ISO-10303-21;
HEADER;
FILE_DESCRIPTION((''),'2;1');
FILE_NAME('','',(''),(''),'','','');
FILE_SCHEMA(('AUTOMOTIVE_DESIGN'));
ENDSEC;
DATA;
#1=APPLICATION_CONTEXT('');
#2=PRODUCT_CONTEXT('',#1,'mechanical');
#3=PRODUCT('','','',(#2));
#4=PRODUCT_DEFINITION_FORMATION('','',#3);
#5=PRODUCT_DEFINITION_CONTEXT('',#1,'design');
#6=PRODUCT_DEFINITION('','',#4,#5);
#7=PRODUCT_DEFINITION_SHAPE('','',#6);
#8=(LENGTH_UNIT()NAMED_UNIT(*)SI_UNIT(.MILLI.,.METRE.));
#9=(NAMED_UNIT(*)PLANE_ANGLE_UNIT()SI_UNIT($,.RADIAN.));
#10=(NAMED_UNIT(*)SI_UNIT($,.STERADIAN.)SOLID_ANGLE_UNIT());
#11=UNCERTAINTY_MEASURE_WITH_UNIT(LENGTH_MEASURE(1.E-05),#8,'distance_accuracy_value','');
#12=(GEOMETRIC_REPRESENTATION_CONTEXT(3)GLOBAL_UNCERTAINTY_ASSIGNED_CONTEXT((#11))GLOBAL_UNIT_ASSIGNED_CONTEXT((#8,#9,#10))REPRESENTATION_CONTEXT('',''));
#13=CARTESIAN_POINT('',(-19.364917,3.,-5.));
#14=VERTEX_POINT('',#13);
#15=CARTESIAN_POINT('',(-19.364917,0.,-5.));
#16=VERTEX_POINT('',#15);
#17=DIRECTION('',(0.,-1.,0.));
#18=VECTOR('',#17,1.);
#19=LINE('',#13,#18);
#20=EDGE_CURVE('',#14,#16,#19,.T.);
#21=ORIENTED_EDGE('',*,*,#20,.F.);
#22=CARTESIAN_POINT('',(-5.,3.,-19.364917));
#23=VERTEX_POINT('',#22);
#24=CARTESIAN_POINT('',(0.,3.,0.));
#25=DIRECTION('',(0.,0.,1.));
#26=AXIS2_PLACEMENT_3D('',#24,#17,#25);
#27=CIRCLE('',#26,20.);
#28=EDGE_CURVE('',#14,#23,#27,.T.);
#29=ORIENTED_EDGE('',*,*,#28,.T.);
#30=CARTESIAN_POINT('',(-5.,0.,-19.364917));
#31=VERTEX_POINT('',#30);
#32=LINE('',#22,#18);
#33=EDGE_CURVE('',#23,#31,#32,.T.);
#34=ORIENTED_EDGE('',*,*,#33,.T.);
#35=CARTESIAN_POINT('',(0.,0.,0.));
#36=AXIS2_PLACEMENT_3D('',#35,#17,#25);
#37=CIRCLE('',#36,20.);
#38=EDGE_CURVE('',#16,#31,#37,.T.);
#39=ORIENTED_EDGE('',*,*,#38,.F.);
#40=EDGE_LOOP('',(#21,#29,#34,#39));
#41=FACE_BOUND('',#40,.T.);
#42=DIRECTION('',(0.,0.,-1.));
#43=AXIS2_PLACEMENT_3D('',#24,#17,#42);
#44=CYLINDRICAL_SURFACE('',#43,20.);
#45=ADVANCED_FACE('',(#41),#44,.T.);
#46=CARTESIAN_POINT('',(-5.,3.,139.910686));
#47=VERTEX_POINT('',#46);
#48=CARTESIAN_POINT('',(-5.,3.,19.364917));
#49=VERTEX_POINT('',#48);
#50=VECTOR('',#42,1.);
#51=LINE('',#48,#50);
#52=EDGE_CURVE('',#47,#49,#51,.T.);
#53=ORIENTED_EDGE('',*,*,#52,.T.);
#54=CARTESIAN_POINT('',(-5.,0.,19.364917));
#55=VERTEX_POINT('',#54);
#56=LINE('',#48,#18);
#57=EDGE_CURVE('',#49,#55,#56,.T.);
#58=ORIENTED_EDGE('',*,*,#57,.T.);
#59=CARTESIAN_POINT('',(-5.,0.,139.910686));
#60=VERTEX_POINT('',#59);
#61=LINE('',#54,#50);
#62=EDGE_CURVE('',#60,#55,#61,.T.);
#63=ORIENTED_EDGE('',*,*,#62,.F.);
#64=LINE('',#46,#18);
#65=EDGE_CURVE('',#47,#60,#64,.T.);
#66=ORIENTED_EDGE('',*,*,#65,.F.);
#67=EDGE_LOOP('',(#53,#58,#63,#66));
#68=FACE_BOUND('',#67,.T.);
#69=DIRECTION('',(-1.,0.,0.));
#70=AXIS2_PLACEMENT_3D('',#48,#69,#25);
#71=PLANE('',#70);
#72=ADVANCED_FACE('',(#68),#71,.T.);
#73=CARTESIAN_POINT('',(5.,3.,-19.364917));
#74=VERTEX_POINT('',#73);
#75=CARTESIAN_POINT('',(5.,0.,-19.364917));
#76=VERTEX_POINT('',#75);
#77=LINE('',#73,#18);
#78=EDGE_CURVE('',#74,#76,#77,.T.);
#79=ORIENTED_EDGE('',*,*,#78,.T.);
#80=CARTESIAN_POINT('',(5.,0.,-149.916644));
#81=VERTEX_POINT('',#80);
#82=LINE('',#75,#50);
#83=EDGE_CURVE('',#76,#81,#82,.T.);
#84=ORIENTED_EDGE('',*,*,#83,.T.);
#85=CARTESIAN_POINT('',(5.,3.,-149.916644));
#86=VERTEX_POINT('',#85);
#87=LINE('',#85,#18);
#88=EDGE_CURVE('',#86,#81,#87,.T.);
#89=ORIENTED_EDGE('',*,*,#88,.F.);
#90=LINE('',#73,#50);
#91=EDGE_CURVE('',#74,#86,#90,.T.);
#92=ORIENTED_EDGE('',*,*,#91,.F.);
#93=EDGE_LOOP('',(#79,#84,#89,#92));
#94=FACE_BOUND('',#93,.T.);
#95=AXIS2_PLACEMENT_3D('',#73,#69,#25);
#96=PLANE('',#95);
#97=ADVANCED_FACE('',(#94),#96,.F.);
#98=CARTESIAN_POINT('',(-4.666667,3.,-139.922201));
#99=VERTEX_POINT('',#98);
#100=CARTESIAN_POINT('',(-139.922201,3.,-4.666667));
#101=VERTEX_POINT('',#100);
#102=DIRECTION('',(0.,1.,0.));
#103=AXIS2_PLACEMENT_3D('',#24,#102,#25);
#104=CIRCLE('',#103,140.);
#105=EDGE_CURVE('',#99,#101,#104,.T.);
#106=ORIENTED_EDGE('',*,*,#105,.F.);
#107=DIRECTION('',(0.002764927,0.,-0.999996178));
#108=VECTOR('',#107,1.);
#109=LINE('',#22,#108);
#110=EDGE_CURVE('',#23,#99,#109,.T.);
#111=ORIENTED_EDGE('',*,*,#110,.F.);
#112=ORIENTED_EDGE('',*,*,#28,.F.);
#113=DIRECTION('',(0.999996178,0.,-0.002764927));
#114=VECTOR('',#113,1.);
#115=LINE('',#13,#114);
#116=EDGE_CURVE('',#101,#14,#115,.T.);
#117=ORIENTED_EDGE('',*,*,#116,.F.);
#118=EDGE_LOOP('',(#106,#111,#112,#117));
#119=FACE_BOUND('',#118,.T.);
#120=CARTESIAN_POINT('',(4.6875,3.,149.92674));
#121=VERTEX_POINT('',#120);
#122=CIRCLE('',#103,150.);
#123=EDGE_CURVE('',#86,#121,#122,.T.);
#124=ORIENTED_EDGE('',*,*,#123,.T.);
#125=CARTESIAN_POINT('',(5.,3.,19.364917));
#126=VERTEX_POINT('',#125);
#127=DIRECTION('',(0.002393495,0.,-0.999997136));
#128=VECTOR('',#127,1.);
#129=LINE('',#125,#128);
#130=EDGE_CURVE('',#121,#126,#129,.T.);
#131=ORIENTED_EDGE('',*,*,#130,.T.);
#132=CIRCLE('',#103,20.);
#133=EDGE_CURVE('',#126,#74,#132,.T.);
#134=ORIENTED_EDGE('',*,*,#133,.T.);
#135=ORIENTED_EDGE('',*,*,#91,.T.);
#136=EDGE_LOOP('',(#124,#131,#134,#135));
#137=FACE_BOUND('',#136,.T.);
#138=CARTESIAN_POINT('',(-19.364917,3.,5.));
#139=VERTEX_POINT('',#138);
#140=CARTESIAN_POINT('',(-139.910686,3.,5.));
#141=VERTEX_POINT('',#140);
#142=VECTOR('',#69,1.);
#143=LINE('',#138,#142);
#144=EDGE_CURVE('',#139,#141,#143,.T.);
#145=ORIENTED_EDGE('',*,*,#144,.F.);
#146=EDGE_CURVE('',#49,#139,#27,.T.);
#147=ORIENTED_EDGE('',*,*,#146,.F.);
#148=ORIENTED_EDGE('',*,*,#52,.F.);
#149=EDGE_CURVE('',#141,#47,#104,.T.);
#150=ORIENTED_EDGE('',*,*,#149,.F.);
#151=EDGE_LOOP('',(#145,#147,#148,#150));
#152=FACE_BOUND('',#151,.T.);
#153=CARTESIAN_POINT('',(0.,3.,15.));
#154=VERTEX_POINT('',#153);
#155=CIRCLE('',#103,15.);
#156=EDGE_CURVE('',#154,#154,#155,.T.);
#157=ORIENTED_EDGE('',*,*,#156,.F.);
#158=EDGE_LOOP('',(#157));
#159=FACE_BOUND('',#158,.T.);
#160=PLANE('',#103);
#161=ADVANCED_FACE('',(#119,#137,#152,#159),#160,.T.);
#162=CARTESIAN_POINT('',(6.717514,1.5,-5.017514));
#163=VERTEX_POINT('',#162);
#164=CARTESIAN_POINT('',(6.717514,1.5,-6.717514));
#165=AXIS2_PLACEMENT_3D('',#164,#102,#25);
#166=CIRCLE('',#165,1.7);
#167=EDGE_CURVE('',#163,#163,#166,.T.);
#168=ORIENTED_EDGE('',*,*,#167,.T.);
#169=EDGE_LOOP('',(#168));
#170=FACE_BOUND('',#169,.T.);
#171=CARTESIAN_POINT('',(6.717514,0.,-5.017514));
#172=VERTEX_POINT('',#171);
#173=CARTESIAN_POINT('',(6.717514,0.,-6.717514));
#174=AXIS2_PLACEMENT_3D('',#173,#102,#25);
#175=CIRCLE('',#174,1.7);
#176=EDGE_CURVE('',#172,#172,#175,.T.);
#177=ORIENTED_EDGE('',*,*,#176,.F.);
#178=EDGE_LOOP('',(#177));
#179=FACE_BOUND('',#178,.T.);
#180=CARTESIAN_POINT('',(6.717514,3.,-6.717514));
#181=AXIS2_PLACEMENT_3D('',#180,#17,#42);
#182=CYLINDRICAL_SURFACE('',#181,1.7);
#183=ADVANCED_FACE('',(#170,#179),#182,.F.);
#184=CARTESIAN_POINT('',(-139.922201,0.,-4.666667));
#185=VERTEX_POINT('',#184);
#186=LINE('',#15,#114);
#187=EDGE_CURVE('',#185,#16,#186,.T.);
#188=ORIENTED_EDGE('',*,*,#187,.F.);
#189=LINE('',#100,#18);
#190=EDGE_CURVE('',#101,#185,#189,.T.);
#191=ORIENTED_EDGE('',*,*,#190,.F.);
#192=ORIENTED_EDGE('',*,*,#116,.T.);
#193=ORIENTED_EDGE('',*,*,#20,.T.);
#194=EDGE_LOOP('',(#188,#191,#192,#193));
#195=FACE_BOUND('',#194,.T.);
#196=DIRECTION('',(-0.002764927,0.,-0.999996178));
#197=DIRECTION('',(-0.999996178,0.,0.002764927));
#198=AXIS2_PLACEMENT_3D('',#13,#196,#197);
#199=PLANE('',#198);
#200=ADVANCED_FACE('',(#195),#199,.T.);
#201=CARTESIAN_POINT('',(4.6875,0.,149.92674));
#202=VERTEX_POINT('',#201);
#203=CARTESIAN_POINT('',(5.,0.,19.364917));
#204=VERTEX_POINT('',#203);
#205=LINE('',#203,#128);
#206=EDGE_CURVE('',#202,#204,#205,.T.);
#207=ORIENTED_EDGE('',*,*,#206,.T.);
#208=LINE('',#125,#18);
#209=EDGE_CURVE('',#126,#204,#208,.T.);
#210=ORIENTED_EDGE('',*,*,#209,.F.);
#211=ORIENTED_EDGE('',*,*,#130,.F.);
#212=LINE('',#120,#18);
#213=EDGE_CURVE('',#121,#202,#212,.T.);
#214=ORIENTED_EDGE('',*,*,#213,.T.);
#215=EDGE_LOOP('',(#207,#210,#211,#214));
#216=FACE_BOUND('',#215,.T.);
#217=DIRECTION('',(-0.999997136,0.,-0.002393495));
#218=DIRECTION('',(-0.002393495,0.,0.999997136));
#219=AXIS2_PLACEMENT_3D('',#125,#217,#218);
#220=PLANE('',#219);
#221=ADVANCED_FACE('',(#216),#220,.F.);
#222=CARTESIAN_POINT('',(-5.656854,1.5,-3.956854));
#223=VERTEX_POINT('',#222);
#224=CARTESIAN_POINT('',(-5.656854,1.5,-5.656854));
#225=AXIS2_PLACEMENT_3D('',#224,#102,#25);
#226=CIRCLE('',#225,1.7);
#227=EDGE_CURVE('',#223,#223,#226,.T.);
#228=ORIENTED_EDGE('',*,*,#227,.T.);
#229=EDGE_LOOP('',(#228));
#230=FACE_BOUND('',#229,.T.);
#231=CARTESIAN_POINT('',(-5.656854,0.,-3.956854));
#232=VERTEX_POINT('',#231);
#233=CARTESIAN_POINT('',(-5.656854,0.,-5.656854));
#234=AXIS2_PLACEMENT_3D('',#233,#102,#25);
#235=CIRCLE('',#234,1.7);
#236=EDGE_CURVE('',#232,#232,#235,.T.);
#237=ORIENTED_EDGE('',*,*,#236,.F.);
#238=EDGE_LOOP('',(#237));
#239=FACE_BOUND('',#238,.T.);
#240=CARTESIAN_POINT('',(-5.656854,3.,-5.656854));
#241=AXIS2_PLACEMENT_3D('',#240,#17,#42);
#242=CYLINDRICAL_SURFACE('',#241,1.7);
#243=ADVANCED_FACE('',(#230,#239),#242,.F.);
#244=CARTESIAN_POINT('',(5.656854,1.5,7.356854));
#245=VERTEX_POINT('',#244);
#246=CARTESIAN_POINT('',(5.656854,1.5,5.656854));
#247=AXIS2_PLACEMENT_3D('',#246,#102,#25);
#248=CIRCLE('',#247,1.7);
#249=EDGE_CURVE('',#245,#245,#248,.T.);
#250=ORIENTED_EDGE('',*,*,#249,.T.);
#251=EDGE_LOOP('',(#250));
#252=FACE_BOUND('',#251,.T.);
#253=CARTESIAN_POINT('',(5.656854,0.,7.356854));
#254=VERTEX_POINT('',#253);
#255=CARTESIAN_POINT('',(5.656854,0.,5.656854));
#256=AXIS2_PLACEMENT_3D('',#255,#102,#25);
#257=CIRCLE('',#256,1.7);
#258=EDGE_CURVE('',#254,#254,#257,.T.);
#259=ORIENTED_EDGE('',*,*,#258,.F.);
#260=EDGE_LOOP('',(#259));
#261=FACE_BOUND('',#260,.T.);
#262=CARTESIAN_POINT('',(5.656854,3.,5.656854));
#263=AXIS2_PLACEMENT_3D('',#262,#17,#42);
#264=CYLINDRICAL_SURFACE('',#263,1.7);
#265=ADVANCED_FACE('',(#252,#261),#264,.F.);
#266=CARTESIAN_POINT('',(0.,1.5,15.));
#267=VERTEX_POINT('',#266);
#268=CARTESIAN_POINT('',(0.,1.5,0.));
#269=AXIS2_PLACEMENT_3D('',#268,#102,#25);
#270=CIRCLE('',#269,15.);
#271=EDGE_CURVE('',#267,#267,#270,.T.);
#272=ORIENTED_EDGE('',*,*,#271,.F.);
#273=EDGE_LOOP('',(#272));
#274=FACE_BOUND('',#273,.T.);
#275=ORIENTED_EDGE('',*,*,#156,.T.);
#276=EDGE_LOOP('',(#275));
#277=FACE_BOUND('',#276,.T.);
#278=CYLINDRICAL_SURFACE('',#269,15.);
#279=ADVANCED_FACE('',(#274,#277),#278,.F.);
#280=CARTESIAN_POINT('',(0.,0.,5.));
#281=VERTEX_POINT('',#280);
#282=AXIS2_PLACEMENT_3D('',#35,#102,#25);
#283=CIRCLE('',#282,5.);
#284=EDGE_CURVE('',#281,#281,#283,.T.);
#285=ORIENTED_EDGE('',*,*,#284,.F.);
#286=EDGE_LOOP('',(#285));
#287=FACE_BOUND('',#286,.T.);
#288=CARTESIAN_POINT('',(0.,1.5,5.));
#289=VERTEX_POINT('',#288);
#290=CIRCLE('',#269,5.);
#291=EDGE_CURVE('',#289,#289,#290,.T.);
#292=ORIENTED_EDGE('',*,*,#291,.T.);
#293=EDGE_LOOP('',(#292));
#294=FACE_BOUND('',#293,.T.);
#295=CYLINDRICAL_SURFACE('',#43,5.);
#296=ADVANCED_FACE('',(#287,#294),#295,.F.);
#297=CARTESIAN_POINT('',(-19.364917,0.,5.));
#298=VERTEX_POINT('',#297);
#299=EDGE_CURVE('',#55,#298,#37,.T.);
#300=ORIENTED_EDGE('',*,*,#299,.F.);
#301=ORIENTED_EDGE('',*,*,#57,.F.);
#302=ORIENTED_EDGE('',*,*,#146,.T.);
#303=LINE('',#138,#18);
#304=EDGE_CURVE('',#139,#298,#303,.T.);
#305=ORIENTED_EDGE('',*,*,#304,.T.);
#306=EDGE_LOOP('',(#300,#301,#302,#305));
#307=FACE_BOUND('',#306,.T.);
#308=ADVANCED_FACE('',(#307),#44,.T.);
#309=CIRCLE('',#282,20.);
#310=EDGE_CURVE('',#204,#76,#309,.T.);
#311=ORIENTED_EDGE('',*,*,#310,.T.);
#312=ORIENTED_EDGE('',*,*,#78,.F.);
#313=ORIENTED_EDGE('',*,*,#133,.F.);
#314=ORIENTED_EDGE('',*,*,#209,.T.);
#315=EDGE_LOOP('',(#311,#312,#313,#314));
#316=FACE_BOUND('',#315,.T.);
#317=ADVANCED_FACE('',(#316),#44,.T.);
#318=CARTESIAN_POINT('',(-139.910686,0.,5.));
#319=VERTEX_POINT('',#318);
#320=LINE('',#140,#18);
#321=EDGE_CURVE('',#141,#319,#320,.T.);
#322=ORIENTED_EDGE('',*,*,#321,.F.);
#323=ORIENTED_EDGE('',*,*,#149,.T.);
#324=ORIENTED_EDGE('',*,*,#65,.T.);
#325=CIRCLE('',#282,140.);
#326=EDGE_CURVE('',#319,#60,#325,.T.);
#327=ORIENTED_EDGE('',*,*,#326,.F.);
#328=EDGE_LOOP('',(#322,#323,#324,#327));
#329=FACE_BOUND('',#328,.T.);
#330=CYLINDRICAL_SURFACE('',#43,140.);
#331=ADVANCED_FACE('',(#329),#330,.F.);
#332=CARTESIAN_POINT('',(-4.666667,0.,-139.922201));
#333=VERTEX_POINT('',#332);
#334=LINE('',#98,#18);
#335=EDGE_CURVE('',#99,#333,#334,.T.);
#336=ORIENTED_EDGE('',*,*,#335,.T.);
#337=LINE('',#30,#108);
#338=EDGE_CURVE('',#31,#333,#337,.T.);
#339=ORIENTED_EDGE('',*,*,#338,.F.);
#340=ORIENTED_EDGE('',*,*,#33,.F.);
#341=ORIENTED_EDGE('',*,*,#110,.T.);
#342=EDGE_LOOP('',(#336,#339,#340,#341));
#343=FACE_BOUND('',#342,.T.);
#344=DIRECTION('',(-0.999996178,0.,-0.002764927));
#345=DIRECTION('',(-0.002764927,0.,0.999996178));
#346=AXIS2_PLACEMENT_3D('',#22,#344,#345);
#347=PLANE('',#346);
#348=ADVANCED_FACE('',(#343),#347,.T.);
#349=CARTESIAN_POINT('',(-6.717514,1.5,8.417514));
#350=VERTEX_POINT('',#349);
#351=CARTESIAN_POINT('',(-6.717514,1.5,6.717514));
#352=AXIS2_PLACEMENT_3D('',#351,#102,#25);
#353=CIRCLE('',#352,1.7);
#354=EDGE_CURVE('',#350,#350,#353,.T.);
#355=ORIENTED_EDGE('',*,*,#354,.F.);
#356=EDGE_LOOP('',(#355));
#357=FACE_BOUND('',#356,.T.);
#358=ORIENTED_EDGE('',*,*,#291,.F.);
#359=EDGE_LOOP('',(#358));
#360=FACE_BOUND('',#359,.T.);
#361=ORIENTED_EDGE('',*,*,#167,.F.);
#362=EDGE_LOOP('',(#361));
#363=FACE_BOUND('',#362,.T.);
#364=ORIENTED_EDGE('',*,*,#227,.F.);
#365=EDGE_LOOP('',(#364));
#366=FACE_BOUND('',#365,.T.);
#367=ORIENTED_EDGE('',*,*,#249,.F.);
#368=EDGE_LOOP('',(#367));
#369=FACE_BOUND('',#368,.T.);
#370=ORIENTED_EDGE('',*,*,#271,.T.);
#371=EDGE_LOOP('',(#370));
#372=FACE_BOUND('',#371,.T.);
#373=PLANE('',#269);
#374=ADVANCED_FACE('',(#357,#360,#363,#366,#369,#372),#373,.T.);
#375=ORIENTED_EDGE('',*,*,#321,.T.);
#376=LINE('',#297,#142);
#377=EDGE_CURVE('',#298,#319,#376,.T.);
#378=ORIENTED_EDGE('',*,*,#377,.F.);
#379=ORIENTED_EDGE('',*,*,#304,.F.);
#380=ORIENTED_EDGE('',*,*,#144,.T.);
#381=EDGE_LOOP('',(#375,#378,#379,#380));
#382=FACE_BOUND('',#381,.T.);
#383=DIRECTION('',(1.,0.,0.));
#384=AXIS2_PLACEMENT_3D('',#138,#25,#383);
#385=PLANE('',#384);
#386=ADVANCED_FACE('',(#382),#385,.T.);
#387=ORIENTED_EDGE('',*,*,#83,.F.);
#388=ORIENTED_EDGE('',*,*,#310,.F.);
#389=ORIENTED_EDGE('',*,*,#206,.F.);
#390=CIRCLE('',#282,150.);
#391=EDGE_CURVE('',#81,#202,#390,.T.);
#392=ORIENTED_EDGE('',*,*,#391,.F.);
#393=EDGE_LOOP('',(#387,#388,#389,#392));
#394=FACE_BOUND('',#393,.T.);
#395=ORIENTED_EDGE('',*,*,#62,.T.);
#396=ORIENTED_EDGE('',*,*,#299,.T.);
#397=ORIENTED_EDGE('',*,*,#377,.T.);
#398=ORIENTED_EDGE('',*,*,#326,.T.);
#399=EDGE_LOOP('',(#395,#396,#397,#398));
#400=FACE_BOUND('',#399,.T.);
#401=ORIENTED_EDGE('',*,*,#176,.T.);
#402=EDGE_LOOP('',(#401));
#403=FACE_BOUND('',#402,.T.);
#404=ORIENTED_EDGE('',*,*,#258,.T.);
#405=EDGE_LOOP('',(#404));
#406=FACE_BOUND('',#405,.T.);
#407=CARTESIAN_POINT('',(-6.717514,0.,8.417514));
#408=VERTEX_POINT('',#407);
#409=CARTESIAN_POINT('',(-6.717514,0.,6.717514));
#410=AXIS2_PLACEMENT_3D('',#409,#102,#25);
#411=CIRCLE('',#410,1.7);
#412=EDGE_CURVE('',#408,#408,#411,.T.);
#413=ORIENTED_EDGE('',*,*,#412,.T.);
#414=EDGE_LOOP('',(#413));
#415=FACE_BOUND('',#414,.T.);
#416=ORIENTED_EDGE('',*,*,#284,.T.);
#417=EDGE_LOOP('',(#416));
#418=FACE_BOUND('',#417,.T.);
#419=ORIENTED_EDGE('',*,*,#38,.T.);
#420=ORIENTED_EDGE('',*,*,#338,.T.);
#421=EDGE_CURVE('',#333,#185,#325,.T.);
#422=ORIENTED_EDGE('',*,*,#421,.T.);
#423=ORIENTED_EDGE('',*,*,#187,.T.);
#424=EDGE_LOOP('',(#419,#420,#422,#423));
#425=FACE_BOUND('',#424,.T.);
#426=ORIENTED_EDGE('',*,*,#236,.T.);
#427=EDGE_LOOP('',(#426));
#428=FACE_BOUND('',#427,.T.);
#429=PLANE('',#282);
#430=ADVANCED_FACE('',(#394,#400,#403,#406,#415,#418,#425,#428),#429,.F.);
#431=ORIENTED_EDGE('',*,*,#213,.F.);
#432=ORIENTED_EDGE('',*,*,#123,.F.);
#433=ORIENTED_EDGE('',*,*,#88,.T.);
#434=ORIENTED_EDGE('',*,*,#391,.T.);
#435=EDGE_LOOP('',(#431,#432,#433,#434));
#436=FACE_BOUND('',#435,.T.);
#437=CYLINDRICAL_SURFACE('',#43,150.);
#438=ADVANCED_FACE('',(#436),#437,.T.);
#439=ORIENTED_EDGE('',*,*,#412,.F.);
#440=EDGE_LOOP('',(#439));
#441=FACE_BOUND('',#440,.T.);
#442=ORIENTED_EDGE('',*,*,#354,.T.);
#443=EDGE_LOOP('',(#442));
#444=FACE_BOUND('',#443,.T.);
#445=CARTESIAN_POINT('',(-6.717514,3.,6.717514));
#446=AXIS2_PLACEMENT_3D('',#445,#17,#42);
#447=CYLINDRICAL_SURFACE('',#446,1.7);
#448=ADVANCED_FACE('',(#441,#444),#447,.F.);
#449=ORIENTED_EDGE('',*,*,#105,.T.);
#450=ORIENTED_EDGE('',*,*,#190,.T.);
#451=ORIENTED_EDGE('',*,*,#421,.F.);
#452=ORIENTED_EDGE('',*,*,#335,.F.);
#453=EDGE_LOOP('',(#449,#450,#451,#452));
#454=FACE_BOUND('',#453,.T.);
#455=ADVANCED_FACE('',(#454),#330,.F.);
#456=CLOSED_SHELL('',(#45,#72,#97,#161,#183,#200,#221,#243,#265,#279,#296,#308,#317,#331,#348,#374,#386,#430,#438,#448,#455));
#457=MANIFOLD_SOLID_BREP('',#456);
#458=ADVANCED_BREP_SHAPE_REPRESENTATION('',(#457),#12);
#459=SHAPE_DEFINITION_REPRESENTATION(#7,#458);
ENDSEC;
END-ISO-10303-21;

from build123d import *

# Parameters (mm, degrees)
SKETCH1_R           = 5
SKETCH1_R_2         = 1.7
BOSS_EXTRUDE1_DEPTH = 3
SKETCH2_R           = 15
CUT_EXTRUDE1_DEPTH  = 1.5


with BuildPart() as part:
    # Sketch1 → Boss-Extrude1 (new body)
    with BuildSketch(Plane(origin=(0, 0, 0), x_dir=(1, 0, 0), z_dir=(0, 1, 0))):
        with BuildLine():
            Line((5, -19.364916731), (4.6875, -149.926739922))
            ThreePointArc((4.6875, -149.926739922), (-149.999918535, 0.156331529), (5, 149.916643506))
            Line((5, 149.916643506), (5, 19.364916731))
            ThreePointArc((5, 19.364916731), (20, 0), (5, -19.364916731))
        make_face()
        Circle(SKETCH1_R, mode=Mode.SUBTRACT)
        with Locations((-5.656854249, 5.656854249)):
            Circle(SKETCH1_R_2, mode=Mode.SUBTRACT)
        with Locations((5.656854249, -5.656854249)):
            Circle(SKETCH1_R_2, mode=Mode.SUBTRACT)
        with Locations((6.717514421, 6.717514421)):
            Circle(SKETCH1_R_2, mode=Mode.SUBTRACT)
        with Locations((-6.717514421, -6.717514421)):
            Circle(SKETCH1_R_2, mode=Mode.SUBTRACT)
        with BuildLine():
            Line((-5, -19.364916731), (-5, -139.910685796))
            ThreePointArc((-5, -139.910685796), (-98.994949366, -98.994949366), (-139.910685796, -5))
            Line((-139.910685796, -5), (-19.364916731, -5))
            ThreePointArc((-19.364916731, -5), (-14.142135624, -14.142135624), (-5, -19.364916731))
        make_face(mode=Mode.SUBTRACT)
        with BuildLine():
            Line((-5, 19.364916731), (-4.666666667, 139.922200605))
            ThreePointArc((-4.666666667, 139.922200605), (-98.994949366, 98.994949366), (-139.922200605, 4.666666667))
            Line((-139.922200605, 4.666666667), (-19.364916731, 5))
            ThreePointArc((-19.364916731, 5), (-14.142135624, 14.142135624), (-5, 19.364916731))
        make_face(mode=Mode.SUBTRACT)
    extrude(amount=BOSS_EXTRUDE1_DEPTH)

    # Sketch2 → Cut-Extrude1 (cut)
    with BuildSketch(Plane(origin=(0, 3, 0), x_dir=(1, 0, 0), z_dir=(0, 1, 0))):
        Circle(SKETCH2_R)
    extrude(amount=-CUT_EXTRUDE1_DEPTH, mode=Mode.SUBTRACT)


solid = part.part
